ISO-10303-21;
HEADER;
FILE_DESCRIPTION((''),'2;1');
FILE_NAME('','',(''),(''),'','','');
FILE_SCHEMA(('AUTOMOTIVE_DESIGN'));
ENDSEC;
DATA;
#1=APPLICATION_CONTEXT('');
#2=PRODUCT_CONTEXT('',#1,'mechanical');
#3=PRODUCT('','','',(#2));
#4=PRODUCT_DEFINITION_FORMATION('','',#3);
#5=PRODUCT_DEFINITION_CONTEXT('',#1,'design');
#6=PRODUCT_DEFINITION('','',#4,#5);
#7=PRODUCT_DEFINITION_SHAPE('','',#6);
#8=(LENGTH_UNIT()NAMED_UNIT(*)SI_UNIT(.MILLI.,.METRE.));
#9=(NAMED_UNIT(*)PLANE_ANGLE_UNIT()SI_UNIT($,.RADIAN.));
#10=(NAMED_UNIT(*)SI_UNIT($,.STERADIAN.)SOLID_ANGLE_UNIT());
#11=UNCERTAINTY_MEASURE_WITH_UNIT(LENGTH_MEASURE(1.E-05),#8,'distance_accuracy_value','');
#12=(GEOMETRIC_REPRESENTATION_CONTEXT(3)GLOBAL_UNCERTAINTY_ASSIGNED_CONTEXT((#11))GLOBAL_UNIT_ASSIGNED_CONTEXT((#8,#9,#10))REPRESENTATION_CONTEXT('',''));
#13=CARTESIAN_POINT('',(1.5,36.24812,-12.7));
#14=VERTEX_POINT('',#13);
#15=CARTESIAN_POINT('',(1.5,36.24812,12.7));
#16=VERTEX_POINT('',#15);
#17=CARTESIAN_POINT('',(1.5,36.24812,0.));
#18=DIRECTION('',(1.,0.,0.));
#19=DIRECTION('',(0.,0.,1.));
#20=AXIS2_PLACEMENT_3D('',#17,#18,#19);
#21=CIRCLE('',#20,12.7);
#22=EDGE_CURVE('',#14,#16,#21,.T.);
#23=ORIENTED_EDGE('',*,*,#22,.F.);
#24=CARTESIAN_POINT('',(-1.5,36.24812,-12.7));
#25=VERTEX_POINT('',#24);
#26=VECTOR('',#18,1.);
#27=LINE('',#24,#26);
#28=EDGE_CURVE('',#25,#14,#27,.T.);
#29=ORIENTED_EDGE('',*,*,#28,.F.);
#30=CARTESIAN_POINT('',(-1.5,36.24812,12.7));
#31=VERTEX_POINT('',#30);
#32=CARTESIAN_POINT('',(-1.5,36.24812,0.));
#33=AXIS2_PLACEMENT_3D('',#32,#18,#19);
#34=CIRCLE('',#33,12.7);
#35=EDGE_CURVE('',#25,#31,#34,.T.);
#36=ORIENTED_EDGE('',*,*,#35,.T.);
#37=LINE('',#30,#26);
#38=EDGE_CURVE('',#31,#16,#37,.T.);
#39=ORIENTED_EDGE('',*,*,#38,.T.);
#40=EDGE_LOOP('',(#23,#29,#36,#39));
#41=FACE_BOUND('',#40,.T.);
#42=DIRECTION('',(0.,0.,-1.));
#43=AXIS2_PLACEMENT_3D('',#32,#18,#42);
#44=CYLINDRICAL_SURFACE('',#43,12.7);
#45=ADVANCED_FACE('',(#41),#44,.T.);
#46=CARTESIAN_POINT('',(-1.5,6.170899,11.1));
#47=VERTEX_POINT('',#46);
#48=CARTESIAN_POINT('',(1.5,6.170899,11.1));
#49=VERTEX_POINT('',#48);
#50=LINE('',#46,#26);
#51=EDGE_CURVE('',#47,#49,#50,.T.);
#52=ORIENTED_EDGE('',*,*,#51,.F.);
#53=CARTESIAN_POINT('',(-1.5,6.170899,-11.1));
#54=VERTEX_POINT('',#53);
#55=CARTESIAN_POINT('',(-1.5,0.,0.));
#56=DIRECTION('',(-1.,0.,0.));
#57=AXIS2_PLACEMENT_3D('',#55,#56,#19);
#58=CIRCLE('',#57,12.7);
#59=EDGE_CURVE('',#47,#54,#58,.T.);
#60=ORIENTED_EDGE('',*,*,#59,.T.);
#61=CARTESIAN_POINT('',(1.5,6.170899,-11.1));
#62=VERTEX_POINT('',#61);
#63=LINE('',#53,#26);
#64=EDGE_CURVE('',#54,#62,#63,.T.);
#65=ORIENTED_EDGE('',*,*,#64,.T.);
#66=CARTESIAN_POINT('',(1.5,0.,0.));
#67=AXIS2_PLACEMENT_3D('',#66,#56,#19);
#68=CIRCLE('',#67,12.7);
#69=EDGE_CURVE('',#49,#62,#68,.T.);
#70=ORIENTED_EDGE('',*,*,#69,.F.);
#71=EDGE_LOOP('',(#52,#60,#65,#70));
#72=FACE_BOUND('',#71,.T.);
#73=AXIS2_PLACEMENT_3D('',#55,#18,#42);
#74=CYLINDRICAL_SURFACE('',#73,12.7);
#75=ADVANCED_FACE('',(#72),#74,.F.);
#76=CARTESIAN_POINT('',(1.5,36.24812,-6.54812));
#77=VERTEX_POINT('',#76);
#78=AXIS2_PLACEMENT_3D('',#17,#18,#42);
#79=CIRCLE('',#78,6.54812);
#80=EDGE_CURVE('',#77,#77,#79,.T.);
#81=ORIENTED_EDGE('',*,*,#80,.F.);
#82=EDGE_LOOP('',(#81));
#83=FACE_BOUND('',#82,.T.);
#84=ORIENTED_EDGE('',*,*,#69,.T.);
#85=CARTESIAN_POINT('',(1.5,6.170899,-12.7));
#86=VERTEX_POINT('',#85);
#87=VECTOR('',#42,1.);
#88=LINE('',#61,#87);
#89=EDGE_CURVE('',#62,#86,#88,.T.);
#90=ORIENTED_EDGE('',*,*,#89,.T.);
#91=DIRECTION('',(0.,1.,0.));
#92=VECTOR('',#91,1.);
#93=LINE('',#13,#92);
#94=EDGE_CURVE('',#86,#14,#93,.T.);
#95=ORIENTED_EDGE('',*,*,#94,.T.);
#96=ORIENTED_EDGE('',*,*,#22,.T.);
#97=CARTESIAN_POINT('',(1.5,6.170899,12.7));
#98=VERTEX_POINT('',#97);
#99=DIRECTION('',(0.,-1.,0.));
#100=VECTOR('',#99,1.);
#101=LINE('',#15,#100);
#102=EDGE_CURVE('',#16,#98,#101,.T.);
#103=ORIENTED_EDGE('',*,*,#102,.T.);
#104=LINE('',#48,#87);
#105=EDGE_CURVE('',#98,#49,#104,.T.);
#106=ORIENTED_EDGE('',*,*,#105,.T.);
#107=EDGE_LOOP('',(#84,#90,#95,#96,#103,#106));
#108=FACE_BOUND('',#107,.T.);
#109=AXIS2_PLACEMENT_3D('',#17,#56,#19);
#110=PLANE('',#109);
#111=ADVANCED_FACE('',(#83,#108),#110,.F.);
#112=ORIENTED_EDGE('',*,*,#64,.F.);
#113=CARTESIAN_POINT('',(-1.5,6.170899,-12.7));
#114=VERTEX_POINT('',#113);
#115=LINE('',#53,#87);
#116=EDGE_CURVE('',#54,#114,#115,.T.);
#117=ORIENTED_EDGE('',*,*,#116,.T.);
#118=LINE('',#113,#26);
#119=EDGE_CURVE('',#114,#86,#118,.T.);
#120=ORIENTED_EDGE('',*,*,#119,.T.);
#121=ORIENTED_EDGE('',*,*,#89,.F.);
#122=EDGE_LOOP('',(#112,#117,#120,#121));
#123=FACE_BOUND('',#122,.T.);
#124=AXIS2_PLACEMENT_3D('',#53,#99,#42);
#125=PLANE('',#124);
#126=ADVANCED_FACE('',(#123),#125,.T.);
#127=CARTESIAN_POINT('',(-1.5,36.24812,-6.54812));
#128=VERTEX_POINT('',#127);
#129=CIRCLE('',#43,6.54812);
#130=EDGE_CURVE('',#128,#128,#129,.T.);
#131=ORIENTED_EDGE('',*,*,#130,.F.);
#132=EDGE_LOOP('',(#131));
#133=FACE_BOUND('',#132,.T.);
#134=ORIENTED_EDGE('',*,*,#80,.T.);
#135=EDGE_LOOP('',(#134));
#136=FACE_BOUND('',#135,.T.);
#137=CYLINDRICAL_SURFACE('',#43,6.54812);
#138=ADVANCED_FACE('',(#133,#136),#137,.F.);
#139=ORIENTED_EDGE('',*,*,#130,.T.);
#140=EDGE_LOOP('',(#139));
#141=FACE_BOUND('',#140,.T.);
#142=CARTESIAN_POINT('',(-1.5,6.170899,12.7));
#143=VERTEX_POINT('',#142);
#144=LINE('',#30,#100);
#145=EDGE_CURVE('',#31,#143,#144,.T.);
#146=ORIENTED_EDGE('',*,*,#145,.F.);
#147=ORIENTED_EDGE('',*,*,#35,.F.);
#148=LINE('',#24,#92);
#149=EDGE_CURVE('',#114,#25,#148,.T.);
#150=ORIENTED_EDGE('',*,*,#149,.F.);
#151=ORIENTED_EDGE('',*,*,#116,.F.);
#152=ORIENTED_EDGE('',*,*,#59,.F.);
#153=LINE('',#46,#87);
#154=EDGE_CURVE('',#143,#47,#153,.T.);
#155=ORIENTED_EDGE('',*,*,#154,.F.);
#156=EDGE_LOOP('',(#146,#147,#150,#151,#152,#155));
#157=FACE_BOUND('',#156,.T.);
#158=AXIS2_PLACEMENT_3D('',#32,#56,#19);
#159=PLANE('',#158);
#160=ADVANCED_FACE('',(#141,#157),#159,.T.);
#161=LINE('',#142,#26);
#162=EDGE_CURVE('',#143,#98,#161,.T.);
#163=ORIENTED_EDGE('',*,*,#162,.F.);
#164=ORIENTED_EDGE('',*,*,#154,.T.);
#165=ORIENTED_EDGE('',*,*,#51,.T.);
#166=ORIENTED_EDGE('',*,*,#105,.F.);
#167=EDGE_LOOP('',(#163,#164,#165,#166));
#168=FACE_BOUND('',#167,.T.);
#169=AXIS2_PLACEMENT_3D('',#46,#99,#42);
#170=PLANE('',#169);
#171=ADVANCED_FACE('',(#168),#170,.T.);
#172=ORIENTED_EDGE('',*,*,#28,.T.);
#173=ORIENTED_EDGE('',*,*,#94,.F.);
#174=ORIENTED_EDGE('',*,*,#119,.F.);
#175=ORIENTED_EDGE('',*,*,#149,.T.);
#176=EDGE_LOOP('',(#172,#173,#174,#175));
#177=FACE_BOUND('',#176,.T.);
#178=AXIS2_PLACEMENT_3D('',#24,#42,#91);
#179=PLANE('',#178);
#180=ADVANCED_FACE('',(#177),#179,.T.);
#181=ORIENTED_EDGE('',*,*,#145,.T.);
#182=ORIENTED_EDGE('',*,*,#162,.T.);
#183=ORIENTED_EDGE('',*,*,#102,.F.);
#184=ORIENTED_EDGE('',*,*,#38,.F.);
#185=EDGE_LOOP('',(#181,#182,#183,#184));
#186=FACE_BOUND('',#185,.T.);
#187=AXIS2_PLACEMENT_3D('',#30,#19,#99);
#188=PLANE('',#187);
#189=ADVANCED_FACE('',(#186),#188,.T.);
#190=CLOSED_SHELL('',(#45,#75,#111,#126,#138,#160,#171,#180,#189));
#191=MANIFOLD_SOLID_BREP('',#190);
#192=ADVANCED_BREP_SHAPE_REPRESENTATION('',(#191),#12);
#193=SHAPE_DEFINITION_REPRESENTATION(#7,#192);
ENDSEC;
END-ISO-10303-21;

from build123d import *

# Parameters (mm, degrees)
BOSS_EXTRUDE1_DEPTH      = 1.5
BOSS_EXTRUDE1_DEPTH_BACK = 1.5
SKETCH1_R                = 6.54812


with BuildPart() as part:
    # Sketch1 → Boss-Extrude1 (new, two sides: drawn at the far end of the back side and taken through both)
    with BuildSketch(Plane(origin=(0, 0, 0), x_dir=(0, 0, -1), z_dir=(1, 0, 0)).offset(-BOSS_EXTRUDE1_DEPTH_BACK)):
        with BuildLine():
            Line((-12.7, 36.24812), (-12.7, 6.170899448))
            Line((-12.7, 6.170899448), (-11.1, 6.170899448))
            ThreePointArc((-11.1, 6.170899448), (0, 12.7), (11.1, 6.170899448))
            Line((11.1, 6.170899448), (12.7, 6.170899448))
            Line((12.7, 6.170899448), (12.7, 36.24812))
            ThreePointArc((12.7, 36.24812), (0, 48.94812), (-12.7, 36.24812))
        make_face()
        with Locations((0, 36.24812)):
            Circle(SKETCH1_R, mode=Mode.SUBTRACT)
    extrude(amount=BOSS_EXTRUDE1_DEPTH + BOSS_EXTRUDE1_DEPTH_BACK)


solid = part.part
